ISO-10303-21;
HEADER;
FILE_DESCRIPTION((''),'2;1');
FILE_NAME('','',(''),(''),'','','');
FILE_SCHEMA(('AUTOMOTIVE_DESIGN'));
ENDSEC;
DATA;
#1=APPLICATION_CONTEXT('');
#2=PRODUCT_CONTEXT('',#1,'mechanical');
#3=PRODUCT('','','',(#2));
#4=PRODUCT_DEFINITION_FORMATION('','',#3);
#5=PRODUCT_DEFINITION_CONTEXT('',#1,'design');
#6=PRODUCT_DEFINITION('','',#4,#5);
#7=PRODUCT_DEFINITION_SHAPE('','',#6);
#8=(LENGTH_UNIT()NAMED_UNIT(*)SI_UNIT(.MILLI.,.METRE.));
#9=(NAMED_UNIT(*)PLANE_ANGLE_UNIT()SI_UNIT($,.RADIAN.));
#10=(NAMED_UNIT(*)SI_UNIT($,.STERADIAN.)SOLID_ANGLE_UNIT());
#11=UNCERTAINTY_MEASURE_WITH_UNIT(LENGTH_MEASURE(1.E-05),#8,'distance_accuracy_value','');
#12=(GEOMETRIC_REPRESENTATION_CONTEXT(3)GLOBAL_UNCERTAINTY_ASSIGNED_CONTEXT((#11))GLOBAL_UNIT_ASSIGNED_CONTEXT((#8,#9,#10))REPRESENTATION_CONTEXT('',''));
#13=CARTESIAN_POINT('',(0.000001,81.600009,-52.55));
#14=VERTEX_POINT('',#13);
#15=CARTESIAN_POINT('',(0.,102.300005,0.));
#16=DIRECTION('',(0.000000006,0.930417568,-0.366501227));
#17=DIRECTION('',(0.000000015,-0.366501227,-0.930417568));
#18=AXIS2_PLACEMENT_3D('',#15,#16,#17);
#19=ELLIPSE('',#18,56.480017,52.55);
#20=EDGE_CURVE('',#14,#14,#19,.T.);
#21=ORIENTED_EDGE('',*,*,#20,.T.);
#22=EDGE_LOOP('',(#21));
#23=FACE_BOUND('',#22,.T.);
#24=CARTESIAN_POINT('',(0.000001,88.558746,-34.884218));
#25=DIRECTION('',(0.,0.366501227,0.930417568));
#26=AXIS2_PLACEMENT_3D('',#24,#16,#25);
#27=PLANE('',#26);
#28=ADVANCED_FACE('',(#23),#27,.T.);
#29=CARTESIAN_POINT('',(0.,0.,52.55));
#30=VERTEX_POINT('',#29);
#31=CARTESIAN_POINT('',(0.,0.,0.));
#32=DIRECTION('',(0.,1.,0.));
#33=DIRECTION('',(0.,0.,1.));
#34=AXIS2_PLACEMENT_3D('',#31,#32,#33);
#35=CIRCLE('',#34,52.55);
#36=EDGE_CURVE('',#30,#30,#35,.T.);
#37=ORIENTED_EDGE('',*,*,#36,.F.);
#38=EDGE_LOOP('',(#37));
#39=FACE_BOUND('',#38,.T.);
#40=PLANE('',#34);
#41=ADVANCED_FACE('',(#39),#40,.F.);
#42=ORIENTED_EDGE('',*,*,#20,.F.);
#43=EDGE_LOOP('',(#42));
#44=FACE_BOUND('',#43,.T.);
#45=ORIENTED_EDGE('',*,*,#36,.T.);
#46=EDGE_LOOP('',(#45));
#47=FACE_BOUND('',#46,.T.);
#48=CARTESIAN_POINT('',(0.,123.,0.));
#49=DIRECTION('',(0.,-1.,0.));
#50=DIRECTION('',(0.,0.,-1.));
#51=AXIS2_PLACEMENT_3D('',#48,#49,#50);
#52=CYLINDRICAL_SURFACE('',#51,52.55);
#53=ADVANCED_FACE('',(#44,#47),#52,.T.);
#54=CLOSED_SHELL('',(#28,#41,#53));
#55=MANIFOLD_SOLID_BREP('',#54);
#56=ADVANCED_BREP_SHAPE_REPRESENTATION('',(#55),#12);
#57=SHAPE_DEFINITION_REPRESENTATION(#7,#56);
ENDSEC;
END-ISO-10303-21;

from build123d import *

# Parameters (mm, degrees)
SKETCH1_R           = 52.55
BOSS_EXTRUDE1_DEPTH = 123
SKETCH3_R           = 71.280097201
SKETCH3_R_2         = 54.5
CUT_EXTRUDE1_DEPTH  = 136.088476275


with BuildPart() as part:
    # Sketch1 → Boss-Extrude1 (new body)
    with BuildSketch(Plane(origin=(0, 0, 0), x_dir=(1, 0, 0), z_dir=(0, 1, 0))):
        with Locations(Location((0, 0, 0), (0, 0, 270))):
            Circle(SKETCH1_R)
    extrude(amount=BOSS_EXTRUDE1_DEPTH)

    # Sketch3 → Cut-Extrude1 (cut, through all)
    # profile 1 of 2: a face of its own
    with BuildSketch(Plane(origin=(5.59e-07, 88.558745739, -34.884217654), x_dir=(0, -0.366501226724298, -0.9304175679820244), z_dir=(5.869723517203529e-09, 0.9304175679820244, -0.366501226724298))):
        with Locations((-37.493077146, 0)):
            Circle(SKETCH3_R)
        with Locations((-37.493077146, 0)):
            Circle(SKETCH3_R_2, mode=Mode.SUBTRACT)
    # profile 2 of 2: a face of its own
    with BuildSketch(Plane(origin=(5.59e-07, 88.558745739, -34.884217654), x_dir=(0, -0.366501226724298, -0.9304175679820244), z_dir=(5.869723517203529e-09, 0.9304175679820244, -0.366501226724298))):
        with Locations((-37.493077146, 0)):
            Circle(SKETCH3_R_2)
    extrude(amount=CUT_EXTRUDE1_DEPTH, mode=Mode.SUBTRACT)


solid = part.part
